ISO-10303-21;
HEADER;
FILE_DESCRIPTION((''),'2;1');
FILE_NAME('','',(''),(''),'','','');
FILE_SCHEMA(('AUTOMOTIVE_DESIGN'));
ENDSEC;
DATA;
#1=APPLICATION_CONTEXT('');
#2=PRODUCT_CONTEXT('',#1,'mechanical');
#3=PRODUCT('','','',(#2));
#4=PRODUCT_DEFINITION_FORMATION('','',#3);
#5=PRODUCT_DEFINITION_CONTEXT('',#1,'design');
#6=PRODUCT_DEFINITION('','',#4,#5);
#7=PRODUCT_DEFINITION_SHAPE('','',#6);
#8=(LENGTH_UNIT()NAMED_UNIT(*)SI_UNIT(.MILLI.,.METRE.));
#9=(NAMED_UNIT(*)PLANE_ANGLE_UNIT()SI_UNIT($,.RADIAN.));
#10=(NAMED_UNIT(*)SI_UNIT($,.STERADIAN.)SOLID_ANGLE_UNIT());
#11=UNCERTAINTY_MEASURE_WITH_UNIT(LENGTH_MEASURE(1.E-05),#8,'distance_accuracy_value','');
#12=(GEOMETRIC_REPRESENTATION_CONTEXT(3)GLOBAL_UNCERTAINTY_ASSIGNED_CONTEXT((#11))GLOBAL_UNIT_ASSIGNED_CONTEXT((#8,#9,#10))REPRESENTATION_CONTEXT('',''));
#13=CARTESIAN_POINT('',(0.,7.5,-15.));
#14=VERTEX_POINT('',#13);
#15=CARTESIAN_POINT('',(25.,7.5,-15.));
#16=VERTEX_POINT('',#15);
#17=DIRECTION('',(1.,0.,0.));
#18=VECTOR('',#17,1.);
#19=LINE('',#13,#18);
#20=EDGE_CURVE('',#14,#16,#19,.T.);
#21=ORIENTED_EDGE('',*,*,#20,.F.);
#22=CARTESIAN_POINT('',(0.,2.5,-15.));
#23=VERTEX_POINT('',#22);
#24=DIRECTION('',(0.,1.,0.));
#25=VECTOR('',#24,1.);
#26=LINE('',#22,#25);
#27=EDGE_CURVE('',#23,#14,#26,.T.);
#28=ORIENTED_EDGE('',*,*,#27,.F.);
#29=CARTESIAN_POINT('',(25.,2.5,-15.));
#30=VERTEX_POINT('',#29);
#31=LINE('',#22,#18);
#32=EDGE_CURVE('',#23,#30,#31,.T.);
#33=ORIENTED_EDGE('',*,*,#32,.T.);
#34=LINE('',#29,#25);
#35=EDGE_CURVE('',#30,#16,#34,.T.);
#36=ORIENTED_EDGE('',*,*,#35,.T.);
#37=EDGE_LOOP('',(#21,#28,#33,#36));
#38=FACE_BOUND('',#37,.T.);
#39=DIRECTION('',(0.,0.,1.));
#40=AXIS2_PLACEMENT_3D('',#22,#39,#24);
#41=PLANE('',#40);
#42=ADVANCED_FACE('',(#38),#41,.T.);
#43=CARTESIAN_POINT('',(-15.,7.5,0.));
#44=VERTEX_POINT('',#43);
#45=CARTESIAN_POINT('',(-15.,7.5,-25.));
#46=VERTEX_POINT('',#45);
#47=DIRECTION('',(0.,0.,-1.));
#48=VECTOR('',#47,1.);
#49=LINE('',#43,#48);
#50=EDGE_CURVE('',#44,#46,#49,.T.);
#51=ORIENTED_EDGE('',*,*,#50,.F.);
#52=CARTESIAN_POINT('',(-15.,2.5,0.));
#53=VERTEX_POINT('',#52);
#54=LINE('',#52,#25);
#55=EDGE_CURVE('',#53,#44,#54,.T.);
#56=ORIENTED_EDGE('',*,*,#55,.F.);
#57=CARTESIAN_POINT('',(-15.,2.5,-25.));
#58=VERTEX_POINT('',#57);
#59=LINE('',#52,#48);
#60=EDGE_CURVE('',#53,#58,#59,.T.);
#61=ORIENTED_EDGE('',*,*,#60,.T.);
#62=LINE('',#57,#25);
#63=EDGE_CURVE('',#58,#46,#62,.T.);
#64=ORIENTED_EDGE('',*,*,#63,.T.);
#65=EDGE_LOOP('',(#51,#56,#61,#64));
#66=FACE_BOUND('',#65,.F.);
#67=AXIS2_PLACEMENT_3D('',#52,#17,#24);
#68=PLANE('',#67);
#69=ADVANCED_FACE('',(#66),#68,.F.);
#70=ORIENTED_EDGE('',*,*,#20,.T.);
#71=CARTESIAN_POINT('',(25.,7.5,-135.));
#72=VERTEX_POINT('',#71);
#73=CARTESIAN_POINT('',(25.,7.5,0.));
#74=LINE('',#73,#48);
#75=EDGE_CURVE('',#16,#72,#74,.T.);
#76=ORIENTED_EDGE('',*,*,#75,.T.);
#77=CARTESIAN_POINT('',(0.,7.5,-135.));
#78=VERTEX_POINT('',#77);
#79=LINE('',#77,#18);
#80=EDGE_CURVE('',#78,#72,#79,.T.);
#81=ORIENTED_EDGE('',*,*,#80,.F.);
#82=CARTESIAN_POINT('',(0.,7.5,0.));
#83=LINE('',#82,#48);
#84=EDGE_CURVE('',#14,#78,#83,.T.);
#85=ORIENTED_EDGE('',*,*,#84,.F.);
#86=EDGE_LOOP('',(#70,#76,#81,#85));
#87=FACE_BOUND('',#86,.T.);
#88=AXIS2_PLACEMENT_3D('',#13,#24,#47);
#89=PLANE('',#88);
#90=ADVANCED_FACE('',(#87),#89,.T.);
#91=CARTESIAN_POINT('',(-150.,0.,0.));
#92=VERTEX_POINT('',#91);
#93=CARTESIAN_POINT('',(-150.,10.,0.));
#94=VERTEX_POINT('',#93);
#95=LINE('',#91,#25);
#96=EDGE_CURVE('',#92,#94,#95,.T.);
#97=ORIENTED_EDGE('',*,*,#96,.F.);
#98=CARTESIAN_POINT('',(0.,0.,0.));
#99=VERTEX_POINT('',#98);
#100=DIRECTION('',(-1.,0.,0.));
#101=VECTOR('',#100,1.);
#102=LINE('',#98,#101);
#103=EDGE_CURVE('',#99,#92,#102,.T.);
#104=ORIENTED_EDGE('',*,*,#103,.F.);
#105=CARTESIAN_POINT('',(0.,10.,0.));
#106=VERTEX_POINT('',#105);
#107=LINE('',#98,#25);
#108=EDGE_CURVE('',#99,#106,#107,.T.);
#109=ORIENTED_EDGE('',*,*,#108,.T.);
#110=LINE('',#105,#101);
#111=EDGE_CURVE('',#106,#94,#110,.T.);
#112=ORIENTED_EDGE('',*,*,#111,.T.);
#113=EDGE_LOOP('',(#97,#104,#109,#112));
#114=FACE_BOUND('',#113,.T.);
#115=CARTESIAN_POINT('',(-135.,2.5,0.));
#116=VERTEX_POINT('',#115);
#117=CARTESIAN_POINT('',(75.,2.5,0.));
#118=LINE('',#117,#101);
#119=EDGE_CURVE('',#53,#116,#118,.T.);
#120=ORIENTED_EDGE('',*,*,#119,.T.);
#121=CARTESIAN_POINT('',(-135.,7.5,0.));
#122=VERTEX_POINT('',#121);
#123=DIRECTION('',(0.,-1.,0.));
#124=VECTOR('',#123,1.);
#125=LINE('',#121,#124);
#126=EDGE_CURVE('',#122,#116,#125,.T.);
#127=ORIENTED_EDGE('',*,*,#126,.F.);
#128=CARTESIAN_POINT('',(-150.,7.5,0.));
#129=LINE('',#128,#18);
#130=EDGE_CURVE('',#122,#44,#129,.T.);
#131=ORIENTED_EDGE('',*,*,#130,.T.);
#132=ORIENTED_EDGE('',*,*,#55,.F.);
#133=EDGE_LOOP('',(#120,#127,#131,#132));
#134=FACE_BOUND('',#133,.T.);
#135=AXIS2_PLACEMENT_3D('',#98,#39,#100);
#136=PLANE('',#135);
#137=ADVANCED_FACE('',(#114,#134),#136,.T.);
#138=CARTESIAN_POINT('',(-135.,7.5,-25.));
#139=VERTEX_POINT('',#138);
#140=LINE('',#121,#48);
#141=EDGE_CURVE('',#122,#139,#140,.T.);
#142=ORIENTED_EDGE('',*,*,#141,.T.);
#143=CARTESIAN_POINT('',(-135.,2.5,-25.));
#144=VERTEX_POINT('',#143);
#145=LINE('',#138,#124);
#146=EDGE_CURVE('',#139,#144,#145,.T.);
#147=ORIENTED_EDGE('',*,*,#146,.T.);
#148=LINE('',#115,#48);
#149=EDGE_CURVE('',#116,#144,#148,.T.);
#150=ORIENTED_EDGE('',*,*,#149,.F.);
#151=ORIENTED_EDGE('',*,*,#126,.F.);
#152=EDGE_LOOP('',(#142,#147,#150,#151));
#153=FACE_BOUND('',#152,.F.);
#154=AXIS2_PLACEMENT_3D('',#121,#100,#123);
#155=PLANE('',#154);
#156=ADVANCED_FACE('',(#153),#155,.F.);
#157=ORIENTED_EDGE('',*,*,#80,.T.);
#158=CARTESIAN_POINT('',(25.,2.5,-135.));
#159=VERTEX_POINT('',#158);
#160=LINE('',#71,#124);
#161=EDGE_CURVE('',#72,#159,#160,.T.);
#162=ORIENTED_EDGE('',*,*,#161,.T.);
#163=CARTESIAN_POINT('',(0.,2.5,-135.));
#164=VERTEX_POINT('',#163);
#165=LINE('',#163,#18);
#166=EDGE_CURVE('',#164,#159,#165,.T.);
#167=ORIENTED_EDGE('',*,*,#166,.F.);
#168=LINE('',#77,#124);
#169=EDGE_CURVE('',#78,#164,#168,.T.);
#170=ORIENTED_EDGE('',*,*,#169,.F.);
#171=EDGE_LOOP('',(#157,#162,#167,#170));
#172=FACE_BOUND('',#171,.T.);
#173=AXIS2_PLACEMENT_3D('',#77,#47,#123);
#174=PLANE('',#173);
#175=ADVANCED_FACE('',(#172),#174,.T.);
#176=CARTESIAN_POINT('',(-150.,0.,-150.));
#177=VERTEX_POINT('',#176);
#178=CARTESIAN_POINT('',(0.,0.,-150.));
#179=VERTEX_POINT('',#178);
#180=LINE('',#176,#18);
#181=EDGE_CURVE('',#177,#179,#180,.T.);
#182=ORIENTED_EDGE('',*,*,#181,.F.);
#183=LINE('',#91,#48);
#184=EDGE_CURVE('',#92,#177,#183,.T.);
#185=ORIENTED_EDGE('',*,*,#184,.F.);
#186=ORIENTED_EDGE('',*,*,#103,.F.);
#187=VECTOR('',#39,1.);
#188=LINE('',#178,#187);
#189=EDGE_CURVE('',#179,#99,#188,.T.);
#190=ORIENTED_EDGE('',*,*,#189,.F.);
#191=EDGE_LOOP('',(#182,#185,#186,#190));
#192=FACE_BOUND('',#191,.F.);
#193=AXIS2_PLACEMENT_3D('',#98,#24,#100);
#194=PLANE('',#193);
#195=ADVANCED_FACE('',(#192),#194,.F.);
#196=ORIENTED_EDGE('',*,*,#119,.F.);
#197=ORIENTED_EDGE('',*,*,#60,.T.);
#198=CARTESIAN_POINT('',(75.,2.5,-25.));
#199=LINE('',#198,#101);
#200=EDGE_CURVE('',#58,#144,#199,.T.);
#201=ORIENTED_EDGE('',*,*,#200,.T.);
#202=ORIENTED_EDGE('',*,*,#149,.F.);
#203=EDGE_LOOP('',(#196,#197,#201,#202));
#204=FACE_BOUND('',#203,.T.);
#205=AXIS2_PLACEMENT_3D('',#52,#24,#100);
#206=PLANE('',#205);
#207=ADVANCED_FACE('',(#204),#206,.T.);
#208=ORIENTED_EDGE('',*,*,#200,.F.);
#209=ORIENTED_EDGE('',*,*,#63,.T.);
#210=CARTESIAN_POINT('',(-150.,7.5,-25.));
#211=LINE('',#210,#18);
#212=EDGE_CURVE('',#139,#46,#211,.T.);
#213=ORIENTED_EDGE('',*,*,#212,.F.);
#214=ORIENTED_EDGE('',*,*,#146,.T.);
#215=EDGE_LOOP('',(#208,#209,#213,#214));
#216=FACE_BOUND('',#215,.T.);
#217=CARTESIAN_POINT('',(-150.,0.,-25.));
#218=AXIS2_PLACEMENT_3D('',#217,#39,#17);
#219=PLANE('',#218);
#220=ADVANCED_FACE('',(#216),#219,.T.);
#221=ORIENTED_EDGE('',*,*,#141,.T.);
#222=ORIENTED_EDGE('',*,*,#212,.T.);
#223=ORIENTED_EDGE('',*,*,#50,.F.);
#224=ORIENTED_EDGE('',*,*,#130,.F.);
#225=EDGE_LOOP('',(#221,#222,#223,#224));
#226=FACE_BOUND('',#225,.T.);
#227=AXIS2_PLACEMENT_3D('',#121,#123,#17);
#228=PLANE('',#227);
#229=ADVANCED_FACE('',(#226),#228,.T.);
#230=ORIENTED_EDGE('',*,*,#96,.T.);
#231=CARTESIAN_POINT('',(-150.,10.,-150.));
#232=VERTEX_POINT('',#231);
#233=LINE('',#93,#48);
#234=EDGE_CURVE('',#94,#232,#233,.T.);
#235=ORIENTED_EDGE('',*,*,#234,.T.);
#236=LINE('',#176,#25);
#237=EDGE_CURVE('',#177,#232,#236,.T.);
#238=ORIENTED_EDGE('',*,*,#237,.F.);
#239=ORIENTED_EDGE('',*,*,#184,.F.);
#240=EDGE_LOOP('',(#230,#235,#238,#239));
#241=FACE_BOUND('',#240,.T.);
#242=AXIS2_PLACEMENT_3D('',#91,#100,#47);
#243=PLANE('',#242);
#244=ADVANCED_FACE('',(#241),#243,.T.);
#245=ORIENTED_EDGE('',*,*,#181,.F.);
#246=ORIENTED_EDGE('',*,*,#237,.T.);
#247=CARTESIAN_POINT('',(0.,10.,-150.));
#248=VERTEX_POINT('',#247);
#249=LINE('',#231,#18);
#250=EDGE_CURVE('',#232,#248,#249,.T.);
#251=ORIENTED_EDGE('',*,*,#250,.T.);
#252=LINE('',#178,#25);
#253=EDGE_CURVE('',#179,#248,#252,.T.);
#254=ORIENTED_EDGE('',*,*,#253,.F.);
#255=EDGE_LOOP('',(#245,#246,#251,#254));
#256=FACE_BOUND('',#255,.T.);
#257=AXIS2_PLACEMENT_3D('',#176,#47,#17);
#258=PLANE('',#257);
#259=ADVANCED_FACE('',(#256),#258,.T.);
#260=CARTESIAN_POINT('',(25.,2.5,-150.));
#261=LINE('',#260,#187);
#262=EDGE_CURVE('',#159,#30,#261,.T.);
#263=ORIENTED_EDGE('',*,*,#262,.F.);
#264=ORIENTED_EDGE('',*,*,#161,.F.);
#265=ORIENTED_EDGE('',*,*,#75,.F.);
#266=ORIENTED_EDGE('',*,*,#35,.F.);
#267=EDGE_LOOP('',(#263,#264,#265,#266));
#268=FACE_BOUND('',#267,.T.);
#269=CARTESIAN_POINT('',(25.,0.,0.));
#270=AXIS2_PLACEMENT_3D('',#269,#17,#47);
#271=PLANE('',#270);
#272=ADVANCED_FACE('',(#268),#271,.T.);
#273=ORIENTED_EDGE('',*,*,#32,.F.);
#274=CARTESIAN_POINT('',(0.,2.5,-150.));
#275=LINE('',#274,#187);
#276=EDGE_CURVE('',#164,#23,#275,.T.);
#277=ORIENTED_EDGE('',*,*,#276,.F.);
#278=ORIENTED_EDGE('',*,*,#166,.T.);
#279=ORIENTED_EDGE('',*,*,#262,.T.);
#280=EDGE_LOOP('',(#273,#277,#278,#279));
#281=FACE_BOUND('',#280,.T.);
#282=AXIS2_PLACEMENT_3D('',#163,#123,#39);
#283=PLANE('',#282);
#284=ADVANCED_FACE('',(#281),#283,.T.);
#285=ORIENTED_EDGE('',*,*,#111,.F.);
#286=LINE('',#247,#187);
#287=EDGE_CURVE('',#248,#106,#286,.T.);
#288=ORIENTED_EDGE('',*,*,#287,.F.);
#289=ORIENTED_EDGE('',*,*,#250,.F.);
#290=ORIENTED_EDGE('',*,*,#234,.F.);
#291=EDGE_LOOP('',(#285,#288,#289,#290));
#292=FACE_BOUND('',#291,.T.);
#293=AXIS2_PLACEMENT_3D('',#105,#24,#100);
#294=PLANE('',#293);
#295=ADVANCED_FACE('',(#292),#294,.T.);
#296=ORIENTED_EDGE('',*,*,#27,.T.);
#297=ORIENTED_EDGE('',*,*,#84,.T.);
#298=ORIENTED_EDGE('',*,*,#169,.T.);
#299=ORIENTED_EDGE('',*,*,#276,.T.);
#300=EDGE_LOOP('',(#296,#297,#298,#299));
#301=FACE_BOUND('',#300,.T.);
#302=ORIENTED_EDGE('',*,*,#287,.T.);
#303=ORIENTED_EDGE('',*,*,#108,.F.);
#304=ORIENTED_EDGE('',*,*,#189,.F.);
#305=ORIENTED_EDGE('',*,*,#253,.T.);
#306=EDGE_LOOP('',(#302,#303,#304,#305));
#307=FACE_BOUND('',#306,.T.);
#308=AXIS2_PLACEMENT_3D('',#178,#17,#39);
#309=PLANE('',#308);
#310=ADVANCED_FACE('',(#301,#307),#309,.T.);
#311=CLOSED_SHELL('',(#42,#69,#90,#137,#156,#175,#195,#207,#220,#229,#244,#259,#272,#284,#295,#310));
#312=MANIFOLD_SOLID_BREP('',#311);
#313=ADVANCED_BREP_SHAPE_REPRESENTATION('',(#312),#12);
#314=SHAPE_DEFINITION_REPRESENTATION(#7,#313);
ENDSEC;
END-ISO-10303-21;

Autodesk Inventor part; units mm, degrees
ref_plane "YZ Plane" through (0, 0, 0) normal (1, 0, 0) x (0, 1, 0)
ref_plane "XZ Plane" through (0, 0, 0) normal (0, 1, 0) x (-1, 0, 0)
ref_plane "XY Plane" through (0, 0, 0) normal (0, 0, 1) x (1, 0, 0)
sketch "Sketch1" plane through (0, 0, 0) normal (0, 1, 0) x (-1, 0, 0)
  line L0 (0, 0) -> (150, 0)
  line L1 (150, 0) -> (150, -150)
  line L2 (150, -150) -> (0, -150)
  line L3 (0, -150) -> (0, 0)
  dimension "d0" = 150
  dimension "d1" = 150
extrude "Extrusion1" add sketch "Sketch1" along normal blind 10
sketch "Sketch2" plane through (0, 0, 0) normal (1, 0, 0) x (0, 0, -1)
  line L0 (0, 7.5) -> (150, 7.5)
  line L1 (150, 7.5) -> (150, 2.5)
  line L2 (150, 2.5) -> (0, 2.5)
  line L3 (0, 2.5) -> (0, 7.5)
  line L4 (150, 7.5) -> (135, 7.5)
  line L5 (135, 7.5) -> (135, 1.8795)
  line L6 (135, 1.8795) -> (150, 1.8795)
  line L7 (150, 1.8795) -> (150, 7.5)
  line L8 (0, 2.5) -> (15, 2.5)
  line L9 (15, 2.5) -> (15, 7.5)
  line L10 (15, 7.5) -> (0, 7.5)
  line L11 (0, 7.5) -> (0, 2.5)
  point P0 (0, 0)
  point P1 (135, 2.5)
  dimension "d4" = 150
  dimension "d5" = 5
  dimension "d6" = 15
  dimension "d7" = 15
sketch "Sketch3" plane through (-150, 0, 0) normal (0, 0, 1) x (1, 0, 0)
  line L0 (0, 7.5) -> (225, 7.5)
  line L1 (225, 7.5) -> (225, 2.5)
  line L2 (225, 2.5) -> (0, 2.5)
  line L3 (0, 2.5) -> (0, 7.5)
  line L4 (225, 7.5) -> (210, 7.5)
  line L5 (210, 7.5) -> (210, 2.5)
  line L6 (210, 2.5) -> (225, 2.5)
  line L7 (225, 2.5) -> (225, 7.5)
  line L8 (0, 7.5) -> (15, 7.5)
  line L9 (15, 7.5) -> (15, 2.5)
  line L10 (15, 2.5) -> (0, 2.5)
  line L11 (0, 2.5) -> (0, 7.5)
  line L12 (15, 2.5) -> (135, 2.5)
  line L13 (135, 2.5) -> (135, 7.5)
  line L14 (135, 7.5) -> (15, 7.5)
  line L15 (15, 7.5) -> (15, 2.5)
  point P0 (150, 0)
  dimension "d8" = 5
  dimension "d9" = 15
  dimension "d10" = 5
  dimension "d11" = 15
  dimension "d12" = 5
  dimension "d23" = 120
  dimension "d24" = 5
extrude "Extrusion2" cut sketch "Sketch3" against normal blind 25 contours L0 L13 L2 L9
extrude "Extrusion3" add sketch "Sketch2" along normal blind 25 contours L0 L5 L2 L9
properties part number "TSU_FM_Floor"
